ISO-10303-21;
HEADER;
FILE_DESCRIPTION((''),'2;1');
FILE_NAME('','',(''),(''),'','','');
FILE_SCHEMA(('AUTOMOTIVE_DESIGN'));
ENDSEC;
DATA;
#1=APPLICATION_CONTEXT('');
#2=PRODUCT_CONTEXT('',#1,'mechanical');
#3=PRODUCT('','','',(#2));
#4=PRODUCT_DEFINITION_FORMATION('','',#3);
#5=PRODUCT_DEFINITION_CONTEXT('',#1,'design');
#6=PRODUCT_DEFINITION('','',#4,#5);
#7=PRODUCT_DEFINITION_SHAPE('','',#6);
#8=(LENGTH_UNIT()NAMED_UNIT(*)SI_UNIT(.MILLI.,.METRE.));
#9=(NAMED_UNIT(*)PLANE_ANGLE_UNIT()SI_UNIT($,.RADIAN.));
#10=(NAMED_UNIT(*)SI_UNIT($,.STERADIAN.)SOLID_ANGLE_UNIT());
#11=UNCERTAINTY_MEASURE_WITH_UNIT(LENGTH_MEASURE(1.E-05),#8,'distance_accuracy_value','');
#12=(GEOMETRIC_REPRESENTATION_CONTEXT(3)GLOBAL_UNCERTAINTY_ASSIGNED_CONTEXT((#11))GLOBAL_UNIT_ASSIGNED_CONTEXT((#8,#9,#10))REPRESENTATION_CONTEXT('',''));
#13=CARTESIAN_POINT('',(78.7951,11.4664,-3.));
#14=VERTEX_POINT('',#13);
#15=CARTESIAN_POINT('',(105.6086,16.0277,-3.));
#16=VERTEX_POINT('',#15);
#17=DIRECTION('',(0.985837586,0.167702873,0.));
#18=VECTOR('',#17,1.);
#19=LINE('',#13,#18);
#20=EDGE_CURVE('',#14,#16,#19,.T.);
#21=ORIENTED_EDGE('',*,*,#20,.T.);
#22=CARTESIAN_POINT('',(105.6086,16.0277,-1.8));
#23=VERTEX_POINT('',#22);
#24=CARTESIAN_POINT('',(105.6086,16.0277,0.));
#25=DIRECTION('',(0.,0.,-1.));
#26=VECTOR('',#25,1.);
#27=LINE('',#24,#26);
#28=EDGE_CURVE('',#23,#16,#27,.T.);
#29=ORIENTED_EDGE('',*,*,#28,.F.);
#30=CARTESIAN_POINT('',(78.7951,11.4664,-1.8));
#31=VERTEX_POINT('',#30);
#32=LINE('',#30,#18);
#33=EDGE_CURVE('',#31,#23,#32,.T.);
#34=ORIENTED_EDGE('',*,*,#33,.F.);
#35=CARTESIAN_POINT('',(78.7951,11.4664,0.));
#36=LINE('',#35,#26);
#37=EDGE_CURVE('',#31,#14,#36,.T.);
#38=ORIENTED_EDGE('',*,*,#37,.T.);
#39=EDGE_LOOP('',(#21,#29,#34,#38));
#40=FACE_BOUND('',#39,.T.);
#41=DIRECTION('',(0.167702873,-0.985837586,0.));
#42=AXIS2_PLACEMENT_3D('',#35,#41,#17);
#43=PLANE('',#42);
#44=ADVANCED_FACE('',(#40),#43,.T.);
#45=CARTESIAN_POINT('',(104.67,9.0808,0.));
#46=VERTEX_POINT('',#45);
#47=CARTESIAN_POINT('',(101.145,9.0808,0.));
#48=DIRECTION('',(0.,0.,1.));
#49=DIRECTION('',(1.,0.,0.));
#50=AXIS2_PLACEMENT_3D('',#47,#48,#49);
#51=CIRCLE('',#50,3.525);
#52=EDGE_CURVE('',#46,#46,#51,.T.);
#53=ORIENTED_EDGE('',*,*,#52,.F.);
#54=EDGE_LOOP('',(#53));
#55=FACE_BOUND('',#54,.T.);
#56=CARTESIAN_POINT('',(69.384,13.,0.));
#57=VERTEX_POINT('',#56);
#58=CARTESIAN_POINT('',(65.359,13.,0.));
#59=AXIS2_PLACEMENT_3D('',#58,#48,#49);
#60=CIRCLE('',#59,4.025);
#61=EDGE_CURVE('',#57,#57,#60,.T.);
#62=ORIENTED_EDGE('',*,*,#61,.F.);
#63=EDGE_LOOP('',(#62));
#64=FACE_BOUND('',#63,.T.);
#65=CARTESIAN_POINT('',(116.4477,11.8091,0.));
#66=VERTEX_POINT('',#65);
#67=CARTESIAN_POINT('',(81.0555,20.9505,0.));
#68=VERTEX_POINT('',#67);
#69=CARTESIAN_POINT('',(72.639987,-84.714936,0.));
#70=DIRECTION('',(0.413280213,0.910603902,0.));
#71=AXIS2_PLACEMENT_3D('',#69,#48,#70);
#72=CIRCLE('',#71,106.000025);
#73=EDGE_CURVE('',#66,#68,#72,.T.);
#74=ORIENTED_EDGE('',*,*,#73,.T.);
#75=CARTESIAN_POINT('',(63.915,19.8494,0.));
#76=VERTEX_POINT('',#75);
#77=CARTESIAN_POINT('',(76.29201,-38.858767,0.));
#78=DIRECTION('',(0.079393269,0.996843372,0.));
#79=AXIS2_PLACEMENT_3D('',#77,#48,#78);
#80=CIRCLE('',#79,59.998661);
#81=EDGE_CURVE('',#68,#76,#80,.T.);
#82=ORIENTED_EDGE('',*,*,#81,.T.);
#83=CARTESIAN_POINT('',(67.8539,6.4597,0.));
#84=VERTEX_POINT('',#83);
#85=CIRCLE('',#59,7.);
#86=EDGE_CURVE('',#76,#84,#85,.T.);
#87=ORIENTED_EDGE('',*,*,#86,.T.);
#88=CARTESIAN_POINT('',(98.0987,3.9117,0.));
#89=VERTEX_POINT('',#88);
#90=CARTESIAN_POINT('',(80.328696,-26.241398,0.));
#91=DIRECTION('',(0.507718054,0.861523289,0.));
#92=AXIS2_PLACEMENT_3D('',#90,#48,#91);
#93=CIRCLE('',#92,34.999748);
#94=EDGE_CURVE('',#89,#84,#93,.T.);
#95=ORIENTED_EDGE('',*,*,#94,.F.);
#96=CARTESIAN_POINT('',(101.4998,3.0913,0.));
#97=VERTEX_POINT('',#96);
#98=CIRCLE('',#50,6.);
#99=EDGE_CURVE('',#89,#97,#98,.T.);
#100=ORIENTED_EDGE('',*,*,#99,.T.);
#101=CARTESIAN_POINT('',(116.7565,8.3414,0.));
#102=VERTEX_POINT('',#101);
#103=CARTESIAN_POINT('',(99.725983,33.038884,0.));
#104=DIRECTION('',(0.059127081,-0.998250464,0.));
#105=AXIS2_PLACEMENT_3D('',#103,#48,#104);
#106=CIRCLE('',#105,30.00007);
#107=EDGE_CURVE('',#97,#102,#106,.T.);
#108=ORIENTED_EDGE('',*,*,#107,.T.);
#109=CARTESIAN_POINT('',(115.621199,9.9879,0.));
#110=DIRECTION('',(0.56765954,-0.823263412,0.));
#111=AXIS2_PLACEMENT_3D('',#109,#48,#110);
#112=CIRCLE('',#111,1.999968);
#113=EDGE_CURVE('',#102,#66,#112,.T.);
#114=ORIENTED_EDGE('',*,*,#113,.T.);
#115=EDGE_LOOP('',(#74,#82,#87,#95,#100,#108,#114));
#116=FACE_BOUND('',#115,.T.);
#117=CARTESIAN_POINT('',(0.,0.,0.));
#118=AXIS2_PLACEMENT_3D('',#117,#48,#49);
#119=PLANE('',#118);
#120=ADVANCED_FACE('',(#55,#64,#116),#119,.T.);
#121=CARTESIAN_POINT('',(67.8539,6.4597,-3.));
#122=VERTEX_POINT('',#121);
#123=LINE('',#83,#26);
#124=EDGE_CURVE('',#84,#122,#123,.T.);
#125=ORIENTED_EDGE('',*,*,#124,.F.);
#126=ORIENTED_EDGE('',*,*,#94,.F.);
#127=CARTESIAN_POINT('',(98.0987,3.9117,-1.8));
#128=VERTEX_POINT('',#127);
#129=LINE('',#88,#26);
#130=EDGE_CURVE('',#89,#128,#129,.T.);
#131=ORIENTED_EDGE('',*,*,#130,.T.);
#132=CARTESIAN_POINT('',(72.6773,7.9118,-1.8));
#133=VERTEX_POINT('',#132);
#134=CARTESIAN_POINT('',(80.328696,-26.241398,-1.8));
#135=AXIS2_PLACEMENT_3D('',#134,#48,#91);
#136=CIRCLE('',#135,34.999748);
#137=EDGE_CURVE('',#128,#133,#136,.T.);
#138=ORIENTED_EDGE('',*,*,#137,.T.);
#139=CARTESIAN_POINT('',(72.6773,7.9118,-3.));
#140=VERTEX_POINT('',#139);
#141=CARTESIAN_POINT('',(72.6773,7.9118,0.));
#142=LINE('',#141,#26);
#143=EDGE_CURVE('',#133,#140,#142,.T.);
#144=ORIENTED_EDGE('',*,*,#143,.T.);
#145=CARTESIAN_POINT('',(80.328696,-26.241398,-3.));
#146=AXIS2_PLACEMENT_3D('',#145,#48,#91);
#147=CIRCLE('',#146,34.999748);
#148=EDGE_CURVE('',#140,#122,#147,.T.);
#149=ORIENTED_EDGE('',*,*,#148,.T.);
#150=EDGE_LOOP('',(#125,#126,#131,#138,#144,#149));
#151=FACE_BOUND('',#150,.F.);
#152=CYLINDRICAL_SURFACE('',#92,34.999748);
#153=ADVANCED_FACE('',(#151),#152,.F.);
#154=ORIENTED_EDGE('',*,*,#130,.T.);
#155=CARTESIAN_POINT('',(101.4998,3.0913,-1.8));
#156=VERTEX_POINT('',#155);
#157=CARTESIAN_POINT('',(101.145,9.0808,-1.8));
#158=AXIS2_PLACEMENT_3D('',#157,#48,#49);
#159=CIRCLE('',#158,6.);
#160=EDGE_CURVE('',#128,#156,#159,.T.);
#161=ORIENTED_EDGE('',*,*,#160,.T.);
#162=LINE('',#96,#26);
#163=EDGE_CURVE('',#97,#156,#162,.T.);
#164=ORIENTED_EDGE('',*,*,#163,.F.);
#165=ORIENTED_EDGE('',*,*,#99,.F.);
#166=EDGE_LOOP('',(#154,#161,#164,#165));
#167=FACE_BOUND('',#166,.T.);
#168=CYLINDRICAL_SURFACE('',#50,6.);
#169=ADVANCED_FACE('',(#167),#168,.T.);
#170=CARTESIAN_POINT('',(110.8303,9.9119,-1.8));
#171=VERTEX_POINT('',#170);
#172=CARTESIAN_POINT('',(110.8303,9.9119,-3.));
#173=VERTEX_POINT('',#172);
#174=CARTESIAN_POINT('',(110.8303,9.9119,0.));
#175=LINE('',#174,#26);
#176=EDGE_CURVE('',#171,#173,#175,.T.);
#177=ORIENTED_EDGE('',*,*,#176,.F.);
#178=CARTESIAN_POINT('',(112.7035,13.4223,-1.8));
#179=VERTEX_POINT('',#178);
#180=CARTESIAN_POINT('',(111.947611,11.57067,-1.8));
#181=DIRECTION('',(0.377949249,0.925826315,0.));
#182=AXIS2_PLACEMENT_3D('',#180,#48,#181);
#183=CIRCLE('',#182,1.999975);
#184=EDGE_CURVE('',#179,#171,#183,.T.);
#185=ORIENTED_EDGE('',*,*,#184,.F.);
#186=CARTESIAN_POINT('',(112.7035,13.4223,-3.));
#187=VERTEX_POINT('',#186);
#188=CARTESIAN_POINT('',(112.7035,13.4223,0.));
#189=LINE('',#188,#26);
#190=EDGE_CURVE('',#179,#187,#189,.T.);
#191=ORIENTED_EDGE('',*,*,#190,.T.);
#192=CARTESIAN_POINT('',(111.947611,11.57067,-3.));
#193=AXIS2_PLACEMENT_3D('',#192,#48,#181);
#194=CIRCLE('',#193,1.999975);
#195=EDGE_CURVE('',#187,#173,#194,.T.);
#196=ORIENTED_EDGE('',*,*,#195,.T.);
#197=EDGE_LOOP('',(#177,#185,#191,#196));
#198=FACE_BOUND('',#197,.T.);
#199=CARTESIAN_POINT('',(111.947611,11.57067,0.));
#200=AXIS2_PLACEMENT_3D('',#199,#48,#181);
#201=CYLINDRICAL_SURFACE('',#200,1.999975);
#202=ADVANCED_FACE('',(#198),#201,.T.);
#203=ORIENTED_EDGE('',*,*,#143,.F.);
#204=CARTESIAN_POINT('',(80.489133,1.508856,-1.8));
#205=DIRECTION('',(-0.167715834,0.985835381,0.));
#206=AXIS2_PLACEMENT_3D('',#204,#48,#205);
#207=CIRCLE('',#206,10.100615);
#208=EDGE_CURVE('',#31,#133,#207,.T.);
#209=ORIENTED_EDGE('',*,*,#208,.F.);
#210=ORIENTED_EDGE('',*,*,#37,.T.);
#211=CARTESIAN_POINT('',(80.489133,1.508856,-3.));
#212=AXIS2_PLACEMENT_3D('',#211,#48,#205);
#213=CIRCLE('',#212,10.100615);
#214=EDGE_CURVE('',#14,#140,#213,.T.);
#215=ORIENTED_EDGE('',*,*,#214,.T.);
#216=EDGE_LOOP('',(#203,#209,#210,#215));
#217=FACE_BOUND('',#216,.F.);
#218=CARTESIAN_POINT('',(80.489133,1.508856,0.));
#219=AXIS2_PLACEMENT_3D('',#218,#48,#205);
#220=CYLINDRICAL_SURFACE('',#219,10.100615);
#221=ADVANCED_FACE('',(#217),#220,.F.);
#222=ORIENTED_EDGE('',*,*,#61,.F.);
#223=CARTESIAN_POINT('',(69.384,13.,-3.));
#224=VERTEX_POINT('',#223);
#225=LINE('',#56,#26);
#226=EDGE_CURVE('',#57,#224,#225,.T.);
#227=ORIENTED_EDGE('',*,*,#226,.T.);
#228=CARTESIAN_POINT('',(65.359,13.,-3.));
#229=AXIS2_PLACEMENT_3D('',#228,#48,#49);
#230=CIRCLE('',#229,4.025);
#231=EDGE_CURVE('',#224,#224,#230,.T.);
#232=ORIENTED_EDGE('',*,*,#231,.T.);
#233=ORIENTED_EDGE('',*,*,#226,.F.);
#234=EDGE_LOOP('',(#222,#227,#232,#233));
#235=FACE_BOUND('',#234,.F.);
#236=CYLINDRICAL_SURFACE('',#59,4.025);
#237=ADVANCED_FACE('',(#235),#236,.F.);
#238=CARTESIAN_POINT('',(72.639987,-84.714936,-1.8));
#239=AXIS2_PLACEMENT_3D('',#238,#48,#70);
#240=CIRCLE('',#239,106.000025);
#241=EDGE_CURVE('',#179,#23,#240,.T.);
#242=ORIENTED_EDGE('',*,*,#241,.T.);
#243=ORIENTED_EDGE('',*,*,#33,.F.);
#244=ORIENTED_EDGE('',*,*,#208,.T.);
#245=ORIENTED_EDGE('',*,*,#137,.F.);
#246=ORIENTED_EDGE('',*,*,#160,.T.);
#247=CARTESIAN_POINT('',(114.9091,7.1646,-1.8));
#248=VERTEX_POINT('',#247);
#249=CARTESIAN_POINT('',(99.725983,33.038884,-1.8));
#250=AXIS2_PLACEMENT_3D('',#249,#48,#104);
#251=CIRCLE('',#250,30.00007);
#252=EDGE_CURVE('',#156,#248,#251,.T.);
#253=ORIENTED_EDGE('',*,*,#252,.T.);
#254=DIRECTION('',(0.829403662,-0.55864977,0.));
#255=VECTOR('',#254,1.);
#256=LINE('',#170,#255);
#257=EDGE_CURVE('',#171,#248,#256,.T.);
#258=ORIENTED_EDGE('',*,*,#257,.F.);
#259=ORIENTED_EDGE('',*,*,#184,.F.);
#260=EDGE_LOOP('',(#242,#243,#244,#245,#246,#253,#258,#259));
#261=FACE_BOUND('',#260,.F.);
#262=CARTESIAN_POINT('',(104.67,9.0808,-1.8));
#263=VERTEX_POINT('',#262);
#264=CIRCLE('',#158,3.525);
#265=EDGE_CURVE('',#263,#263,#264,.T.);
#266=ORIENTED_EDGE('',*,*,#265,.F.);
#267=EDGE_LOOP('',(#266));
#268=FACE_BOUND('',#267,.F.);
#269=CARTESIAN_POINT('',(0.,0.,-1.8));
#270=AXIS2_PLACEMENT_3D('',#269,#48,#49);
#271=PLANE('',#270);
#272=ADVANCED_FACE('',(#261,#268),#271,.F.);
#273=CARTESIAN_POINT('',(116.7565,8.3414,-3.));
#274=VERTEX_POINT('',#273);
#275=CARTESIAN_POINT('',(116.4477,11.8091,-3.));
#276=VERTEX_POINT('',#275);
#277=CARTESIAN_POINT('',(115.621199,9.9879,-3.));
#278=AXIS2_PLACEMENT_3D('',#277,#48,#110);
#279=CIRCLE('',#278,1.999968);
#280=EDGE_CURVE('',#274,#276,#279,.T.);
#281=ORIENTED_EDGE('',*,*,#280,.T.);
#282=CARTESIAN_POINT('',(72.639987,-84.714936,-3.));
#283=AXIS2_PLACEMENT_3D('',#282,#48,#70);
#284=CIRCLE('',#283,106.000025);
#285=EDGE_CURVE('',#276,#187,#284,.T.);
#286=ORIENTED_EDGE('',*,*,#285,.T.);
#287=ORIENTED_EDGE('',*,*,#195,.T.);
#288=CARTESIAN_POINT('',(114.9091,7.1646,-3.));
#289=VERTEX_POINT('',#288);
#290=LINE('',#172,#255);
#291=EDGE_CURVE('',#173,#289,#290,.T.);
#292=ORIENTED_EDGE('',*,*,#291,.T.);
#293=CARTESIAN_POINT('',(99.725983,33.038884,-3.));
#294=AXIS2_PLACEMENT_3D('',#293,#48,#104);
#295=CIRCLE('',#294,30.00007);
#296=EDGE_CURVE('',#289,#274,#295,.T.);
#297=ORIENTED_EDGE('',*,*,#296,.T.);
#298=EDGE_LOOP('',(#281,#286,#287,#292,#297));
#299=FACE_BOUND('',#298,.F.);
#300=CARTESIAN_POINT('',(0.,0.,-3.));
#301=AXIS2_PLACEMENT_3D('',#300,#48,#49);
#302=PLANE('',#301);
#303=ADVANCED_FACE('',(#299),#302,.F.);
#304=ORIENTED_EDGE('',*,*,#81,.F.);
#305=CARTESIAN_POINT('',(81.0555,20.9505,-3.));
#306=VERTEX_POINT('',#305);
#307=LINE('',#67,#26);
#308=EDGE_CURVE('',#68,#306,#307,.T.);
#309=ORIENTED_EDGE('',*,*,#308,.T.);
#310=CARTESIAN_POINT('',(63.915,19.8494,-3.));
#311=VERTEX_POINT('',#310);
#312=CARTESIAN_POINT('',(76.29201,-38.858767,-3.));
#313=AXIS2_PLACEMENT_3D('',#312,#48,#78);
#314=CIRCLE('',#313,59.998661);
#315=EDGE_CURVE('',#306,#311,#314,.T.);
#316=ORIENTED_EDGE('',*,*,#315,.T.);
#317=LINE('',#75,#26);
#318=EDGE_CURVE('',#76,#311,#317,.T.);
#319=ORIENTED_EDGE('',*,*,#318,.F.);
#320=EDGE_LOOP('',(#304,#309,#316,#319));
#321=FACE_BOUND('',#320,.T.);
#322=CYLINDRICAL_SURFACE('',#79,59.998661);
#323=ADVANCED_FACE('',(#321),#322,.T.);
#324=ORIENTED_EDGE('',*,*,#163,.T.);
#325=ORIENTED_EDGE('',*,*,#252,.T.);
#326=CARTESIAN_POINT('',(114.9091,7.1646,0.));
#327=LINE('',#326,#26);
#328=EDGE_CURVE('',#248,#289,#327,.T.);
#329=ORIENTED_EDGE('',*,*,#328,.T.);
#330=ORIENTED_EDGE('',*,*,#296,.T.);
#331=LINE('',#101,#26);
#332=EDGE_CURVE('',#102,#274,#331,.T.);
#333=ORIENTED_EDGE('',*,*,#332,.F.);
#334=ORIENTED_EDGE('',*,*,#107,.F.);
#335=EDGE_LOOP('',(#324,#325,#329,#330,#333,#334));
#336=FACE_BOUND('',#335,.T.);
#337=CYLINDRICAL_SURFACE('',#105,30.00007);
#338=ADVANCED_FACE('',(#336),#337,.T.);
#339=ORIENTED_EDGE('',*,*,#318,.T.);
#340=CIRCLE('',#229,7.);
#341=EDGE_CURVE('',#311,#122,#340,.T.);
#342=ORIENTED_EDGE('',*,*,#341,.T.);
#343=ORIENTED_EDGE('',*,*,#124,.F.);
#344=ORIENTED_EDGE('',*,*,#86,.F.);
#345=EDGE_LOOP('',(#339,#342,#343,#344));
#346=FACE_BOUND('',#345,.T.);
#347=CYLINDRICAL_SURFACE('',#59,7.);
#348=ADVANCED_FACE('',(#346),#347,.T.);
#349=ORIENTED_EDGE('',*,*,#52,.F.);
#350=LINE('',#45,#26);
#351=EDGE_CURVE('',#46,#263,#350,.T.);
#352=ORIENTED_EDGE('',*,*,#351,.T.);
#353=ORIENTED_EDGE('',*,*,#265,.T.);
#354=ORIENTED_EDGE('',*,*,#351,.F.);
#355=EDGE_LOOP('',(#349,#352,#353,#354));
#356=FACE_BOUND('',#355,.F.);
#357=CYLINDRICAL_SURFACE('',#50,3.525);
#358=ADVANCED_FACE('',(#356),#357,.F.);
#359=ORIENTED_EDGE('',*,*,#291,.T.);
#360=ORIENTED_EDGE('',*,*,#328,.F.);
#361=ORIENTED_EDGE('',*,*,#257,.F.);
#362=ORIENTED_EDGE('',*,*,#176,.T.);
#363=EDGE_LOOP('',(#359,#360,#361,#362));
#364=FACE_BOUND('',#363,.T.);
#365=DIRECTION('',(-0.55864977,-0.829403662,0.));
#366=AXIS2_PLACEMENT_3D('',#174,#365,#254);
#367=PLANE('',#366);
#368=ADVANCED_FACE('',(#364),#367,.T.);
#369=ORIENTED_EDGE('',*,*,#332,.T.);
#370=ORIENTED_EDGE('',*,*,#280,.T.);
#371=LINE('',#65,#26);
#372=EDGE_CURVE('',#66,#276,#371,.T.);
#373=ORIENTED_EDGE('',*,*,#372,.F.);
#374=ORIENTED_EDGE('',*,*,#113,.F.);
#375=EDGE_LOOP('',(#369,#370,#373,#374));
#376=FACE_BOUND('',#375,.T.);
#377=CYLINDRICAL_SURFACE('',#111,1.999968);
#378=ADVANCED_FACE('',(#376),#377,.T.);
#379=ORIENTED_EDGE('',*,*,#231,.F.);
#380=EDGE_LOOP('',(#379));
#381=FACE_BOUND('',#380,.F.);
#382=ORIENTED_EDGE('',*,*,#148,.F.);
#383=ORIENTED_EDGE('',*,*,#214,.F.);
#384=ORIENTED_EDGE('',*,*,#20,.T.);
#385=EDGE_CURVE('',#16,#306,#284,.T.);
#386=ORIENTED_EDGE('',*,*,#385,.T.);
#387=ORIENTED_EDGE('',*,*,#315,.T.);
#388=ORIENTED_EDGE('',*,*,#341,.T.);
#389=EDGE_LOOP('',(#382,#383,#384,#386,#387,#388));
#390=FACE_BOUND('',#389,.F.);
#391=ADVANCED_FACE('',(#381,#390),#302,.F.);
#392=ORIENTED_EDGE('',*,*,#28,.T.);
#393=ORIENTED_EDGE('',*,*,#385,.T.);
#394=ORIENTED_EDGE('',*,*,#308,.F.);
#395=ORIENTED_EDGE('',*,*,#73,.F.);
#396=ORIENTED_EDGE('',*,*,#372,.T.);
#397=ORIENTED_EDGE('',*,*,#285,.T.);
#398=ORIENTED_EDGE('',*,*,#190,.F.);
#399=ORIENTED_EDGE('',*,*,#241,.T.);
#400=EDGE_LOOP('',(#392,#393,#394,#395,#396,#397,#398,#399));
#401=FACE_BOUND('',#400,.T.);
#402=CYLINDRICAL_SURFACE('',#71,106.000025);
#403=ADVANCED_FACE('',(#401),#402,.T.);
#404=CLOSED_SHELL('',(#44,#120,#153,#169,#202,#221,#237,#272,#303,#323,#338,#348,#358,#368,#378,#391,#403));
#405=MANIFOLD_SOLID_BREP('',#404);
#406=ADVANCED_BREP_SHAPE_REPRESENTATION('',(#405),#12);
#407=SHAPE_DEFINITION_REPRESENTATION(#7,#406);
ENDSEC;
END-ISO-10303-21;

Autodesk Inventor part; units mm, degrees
ref_plane "YZ Plane" through (0, 0, 0) normal (1, 0, 0) x (0, 1, 0)
ref_plane "XZ Plane" through (0, 0, 0) normal (0, 1, 0) x (-1, 0, 0)
ref_plane "XY Plane" through (0, 0, 0) normal (0, 0, 1) x (1, 0, 0)
sketch "Sketch1" plane through (0, 0, 0) normal (0, 0, 1) x (1, 0, 0)
  line L0 (65.359, 13) -> (101.145, 9.0808) construction
  circle A0 centre (65.359, 13) radius 3 construction
  circle A1 centre (65.359, 13) radius 4.025
  circle A2 centre (65.359, 13) radius 7
  arc A3 (103.9065, 14.4076) -> (101.5853, 15.5481) centre (76.292, -38.8601) ccw construction
  arc A4 (98.0987, 3.9117) -> (67.8539, 6.4597) centre (80.3286, -26.2417) ccw
  circle A5 centre (101.145, 9.0808) radius 2.5 construction
  circle A6 centre (101.145, 9.0808) radius 3.525
  circle A7 centre (101.145, 9.0808) radius 6
  line L1 (101.145, 9.0808) -> (116.8532, -6.3223) construction
  circle A8 centre (116.8532, -6.3223) radius 10 construction
  circle A9 centre (116.8532, -6.3223) radius 7.025 construction
  line L2 (104.4969, 14.0572) -> (122.4397, 1.9718) construction
  line L3 (96.2353, 5.6319) -> (108.6703, -12.0703) construction
  line L4 (121.8748, 2.4728) -> (123.0794, 1.6615) construction
  arc A10 (101.4998, 3.0913) -> (116.7565, 8.3414) centre (99.726, 33.0388) ccw
  arc A11 (116.4477, 11.8091) -> (81.0555, 20.9505) centre (72.64, -84.7149) ccw
  arc A12 (116.7565, 8.3414) -> (116.4477, 11.8091) centre (115.6212, 9.9879) ccw
  line L5 (65.359, 13) -> (100, 0) construction
  arc A13 (112.7035, 13.4223) -> (110.8303, 9.9119) centre (111.9476, 11.5707) ccw
  line L6 (101.145, 9.0808) -> (80.4889, 1.5095) construction
  circle A14 centre (80.4889, 1.5095) radius 7.025 construction
  circle A15 centre (80.4889, 1.5095) radius 10 construction
  line L7 (110.8303, 9.9119) -> (114.9091, 7.1646)
  arc A16 (81.0555, 20.9505) -> (63.915, 19.8494) centre (76.292, -38.8601) ccw
  arc A17 (101.5853, 15.5481) -> (81.0555, 20.9505) centre (76.292, -38.8601) ccw construction
  line L8 (78.8119, 11.3678) -> (100.1388, 14.9958) construction
  line L9 (78.7951, 11.4664) -> (105.6086, 16.0277)
  arc A18 (78.7951, 11.4664) -> (72.6773, 7.9118) centre (80.4889, 1.5095) ccw
  point P0 (0, 0)
  point P1 (104.5045, 16.3824)
  dimension "d57" = 20
  dimension "d1" = 8.05
  dimension "d2" = 6
  dimension "d3" = 14
  dimension "d4" = 60
  dimension "d5" = 35
  dimension "d8" = 22
  dimension "d10" = 12
  dimension "d11" = 7.05
  dimension "d12" = 20
  dimension "d13" = 14.05
  dimension "d15" = 0.1
  dimension "d16" = 30
  dimension "d17" = 5
  dimension "d18" = 2
  dimension "d19" = 106
  dimension "d21" = 121
  dimension "d46" = 13
  dimension "d47" = 37
  dimension "d48" = 18
  dimension "d50" = 0
  dimension "d51" = 100
  dimension "d53" = 2
  dimension "d54" = 4
  dimension "d55" = 22
  dimension "d56" = 14.05
  dimension "d65" = 14.32
  dimension "d68" = 26.38
  dimension "d69" = 0.1
  dimension "d70" = 0.1
  dimension "d72" = 36
extrude "Extrusion5" add sketch "Sketch1" against normal blind 3 contours A2 | A2 A16 A11 L9 A18 A4 | A11 A12 A10 L7 A13
extrude "Extrusion6" add sketch "Sketch1" against normal blind 1.8 contours A18 L9 A11 A13 L7 A10 A7 A4 | A7
properties part number "揺動節" material "Aluminum 2014-T6"
